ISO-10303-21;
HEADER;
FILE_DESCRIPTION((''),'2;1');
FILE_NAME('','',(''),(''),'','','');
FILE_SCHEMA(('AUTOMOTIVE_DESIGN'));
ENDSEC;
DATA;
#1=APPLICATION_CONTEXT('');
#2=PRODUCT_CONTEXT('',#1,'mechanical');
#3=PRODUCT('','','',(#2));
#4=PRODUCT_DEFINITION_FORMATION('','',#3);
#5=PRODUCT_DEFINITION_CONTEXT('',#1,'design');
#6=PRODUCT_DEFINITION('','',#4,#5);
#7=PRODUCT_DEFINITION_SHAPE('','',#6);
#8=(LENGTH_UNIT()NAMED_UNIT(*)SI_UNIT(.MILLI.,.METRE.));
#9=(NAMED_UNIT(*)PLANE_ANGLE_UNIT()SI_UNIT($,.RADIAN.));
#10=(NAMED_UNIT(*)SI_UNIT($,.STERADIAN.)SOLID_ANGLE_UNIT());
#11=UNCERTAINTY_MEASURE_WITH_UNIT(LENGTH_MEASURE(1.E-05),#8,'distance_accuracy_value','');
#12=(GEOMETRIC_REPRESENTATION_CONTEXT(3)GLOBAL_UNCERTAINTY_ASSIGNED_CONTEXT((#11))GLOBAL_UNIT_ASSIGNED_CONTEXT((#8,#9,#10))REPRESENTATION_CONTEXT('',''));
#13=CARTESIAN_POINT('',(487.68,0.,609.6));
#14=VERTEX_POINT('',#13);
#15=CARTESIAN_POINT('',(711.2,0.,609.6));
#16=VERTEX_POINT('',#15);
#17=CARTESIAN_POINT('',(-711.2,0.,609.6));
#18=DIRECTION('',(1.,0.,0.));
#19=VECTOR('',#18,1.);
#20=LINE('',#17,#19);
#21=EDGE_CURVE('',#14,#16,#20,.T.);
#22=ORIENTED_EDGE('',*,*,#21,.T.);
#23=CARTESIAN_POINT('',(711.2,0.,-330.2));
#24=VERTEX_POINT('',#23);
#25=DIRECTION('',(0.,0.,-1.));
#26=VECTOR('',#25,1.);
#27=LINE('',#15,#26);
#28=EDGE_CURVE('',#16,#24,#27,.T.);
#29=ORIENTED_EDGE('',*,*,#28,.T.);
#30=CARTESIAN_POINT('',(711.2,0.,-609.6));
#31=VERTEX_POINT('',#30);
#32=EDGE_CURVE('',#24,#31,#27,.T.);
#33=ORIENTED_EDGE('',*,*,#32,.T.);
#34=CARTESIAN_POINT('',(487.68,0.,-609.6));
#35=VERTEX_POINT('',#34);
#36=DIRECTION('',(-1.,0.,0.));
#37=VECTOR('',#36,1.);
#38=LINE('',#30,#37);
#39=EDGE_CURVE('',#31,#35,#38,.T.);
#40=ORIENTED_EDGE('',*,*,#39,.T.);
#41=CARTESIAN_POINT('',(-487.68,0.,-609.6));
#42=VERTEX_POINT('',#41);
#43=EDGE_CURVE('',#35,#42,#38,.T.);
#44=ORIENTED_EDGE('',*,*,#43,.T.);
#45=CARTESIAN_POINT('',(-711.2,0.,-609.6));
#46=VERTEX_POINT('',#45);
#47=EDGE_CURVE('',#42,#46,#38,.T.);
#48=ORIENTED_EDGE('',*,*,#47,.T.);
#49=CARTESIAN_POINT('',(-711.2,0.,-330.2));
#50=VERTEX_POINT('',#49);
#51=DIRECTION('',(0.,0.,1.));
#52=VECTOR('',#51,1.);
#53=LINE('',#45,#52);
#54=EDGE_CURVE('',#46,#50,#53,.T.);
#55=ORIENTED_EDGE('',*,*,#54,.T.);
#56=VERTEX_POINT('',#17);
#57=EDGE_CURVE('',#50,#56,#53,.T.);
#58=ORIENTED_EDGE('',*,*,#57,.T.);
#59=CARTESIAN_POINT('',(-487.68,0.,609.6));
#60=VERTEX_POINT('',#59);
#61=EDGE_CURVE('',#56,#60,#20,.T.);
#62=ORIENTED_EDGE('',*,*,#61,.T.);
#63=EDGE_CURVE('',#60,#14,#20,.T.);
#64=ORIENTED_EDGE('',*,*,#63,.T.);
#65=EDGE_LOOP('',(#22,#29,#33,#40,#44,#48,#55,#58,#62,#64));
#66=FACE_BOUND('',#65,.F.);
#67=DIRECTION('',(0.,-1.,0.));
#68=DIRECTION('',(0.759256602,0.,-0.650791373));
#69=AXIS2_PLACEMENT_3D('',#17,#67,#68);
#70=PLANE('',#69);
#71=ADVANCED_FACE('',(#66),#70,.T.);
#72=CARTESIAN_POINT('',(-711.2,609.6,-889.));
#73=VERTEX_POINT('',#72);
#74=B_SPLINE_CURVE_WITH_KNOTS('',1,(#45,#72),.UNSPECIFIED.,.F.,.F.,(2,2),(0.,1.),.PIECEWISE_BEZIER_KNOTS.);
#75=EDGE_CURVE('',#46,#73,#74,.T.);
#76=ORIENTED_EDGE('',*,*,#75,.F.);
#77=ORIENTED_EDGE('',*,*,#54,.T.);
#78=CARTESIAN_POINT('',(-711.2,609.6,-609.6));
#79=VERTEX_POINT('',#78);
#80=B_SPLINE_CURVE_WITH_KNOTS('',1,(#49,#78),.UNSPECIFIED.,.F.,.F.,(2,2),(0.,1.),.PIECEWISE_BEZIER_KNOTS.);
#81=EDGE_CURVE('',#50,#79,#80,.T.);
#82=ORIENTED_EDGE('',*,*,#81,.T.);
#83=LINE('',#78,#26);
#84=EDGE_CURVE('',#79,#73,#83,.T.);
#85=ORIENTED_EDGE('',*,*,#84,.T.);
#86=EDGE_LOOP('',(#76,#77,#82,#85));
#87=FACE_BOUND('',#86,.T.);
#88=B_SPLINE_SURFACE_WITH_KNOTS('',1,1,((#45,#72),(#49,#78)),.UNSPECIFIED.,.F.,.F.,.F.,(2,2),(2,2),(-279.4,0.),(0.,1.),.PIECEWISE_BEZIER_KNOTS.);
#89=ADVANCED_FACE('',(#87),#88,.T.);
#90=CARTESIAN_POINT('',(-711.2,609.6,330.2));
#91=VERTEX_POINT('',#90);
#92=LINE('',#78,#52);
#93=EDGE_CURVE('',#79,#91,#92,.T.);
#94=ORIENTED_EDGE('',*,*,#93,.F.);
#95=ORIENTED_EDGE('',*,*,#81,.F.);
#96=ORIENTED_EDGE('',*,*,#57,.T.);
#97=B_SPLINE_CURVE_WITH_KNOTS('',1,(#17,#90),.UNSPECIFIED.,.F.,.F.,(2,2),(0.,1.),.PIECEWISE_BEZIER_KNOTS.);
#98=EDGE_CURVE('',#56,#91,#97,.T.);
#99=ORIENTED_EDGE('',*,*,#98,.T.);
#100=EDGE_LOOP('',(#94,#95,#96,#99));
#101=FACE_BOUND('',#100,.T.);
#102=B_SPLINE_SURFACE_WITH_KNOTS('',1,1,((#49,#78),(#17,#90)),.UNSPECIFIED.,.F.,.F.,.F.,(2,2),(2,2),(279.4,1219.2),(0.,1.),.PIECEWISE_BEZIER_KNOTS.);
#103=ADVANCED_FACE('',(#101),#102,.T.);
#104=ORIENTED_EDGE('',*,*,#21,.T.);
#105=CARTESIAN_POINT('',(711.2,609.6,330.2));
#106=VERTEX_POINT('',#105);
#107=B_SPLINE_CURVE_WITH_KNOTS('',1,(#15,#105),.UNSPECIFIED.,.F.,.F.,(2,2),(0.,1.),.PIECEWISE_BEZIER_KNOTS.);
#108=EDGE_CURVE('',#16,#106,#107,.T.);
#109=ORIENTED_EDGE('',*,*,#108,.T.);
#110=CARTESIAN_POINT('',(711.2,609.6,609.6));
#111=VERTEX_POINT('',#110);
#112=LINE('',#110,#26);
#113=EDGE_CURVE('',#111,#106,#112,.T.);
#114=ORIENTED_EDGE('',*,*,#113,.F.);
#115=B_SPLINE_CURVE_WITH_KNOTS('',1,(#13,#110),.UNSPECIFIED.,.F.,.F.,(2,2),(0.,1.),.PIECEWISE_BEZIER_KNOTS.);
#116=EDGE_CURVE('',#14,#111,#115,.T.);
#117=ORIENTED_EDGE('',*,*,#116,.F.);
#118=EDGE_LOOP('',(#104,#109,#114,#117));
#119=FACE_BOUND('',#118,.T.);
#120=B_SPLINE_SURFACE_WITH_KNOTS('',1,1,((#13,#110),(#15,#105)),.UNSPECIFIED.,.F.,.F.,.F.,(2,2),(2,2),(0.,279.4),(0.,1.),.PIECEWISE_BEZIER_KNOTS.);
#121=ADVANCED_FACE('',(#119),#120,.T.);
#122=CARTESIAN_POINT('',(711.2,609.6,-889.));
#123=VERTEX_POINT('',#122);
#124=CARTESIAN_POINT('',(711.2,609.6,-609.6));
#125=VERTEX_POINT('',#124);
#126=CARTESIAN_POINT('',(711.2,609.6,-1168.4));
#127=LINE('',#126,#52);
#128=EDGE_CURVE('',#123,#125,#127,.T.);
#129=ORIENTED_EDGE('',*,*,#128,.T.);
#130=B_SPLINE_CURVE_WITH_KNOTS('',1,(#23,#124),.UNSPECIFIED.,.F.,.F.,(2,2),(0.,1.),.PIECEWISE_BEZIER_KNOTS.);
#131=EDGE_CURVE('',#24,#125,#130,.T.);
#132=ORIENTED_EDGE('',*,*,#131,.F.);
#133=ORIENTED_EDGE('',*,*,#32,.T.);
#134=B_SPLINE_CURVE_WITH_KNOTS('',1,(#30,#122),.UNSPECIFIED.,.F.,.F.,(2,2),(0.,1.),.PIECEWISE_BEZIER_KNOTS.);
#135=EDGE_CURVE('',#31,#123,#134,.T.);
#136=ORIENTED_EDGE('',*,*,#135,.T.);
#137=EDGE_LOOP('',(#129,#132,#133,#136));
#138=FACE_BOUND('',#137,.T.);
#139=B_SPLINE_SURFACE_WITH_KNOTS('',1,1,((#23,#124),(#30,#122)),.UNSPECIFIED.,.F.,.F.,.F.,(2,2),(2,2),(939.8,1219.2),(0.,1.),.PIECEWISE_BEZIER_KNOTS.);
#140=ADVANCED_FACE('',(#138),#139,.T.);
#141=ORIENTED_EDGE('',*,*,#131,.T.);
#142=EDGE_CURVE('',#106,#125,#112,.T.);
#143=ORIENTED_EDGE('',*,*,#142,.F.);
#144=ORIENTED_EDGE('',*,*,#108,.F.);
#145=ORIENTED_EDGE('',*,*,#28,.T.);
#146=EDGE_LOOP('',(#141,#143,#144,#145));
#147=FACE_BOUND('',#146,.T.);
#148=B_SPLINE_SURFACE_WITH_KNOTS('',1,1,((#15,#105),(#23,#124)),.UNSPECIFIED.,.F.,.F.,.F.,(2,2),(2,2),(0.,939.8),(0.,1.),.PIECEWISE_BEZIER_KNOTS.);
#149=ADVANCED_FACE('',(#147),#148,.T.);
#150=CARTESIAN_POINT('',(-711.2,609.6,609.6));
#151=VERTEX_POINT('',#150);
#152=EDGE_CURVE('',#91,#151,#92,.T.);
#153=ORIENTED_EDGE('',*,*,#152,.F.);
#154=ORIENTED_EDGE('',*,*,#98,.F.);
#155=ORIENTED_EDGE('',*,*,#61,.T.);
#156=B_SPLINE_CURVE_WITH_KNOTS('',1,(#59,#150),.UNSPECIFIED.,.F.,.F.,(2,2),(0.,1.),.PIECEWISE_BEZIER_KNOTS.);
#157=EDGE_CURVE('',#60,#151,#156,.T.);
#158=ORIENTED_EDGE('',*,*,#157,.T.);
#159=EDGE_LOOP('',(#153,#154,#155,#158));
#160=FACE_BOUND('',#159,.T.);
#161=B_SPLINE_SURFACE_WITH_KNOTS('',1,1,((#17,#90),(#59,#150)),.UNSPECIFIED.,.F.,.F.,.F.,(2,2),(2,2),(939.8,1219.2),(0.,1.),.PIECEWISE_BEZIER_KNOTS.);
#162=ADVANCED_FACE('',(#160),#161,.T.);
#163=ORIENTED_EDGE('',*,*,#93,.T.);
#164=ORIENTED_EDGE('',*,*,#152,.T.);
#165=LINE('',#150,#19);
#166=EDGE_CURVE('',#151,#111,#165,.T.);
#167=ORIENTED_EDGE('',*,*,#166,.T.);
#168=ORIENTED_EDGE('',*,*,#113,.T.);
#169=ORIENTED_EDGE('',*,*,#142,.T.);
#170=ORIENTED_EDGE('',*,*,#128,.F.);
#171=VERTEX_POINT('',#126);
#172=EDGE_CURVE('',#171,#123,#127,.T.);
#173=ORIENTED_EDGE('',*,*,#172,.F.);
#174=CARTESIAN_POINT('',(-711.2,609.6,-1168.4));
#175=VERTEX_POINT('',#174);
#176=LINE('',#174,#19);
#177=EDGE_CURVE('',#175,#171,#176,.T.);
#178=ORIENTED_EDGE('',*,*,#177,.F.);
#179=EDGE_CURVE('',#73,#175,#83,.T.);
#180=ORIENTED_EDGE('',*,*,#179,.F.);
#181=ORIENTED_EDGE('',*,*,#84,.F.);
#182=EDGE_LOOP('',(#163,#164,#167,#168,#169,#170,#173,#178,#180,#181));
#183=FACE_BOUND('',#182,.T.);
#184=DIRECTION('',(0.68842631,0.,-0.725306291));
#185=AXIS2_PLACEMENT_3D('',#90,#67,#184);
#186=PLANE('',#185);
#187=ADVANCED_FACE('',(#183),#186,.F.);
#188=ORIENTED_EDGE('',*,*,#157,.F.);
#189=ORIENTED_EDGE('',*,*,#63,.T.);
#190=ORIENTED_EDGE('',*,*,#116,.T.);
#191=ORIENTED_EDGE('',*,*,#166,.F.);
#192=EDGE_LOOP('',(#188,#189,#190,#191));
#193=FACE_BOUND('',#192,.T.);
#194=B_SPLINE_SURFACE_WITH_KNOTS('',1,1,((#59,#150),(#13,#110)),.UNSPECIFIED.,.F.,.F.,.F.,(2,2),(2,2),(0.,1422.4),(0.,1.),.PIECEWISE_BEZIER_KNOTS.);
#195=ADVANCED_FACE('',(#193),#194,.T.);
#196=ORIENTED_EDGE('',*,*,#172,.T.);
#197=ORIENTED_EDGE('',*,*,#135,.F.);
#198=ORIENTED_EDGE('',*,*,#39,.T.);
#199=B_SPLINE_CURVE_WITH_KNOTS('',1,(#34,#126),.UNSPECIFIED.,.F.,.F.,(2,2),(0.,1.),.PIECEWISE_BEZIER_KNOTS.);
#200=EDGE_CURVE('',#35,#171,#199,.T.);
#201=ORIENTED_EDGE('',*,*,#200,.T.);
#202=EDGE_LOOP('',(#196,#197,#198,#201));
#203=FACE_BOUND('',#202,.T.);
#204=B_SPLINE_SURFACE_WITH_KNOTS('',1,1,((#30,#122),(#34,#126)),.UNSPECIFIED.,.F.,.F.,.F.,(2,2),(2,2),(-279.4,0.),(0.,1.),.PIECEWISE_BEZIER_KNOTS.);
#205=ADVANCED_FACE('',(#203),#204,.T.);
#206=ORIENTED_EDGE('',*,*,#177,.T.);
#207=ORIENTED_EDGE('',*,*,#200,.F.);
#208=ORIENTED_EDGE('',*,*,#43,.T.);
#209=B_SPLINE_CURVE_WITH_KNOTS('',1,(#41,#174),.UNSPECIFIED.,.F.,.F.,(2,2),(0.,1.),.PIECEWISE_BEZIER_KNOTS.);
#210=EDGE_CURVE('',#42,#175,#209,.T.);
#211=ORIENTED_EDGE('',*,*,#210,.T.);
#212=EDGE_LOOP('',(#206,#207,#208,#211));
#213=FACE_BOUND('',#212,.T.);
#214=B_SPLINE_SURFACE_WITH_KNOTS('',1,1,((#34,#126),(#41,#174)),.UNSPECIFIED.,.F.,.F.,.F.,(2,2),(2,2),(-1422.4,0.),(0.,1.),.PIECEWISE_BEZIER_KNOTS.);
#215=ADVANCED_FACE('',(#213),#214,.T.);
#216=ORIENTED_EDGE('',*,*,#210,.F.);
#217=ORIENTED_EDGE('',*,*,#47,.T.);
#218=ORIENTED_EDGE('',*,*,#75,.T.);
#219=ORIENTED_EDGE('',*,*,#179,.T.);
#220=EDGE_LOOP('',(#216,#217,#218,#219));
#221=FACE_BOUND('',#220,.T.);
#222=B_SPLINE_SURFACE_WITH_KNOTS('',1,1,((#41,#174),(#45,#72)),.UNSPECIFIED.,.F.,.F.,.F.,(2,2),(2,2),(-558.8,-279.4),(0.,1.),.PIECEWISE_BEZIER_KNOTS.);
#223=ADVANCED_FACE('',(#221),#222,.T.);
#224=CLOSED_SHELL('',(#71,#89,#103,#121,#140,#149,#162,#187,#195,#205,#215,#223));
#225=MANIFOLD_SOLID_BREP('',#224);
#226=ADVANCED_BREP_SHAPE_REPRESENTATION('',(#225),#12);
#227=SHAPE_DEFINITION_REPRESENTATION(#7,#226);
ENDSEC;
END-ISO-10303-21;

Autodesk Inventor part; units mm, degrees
ref_plane "YZ Plane" through (0, 0, 0) normal (1, 0, 0) x (0, 1, 0)
ref_plane "XY Plane" through (0, 0, 0) normal (0, 0, 1) x (1, 0, 0)
sketch "Sketch1" plane through (0, 0, 0) normal (0, 1, 0) x (-1, 0, 0)
  line L0 (711.2, 609.6) -> (-711.2, 609.6)
  line L1 (-711.2, 609.6) -> (-711.2, -609.6)
  line L2 (-711.2, -609.6) -> (711.2, -609.6)
  line L3 (711.2, -609.6) -> (711.2, 609.6)
  line L4 (0, -853.44) -> (0, 853.44) projected
  line L5 (-995.68, 0) -> (995.68, 0) projected
  line L6 (995.68, 0) -> (-995.68, 0) projected
  line L7 (0, -853.44) -> (0, 853.44) projected
  point P0 (0, 0)
  dimension "d0" = 1422.4
  dimension "d1" = 1219.2
ref_plane "Work Plane1" through (0, 609.6, 0) normal (0, 1, 0) x (-1, 0, 0)
sketch "Sketch2" plane through (0, 609.6, 0) normal (0, 1, 0) x (-1, 0, 0)
  line L0 (711.2, -609.6) -> (711.2, 609.6) projected
  line L1 (711.2, 609.6) -> (-711.2, 609.6) projected
  line L2 (-711.2, 609.6) -> (-711.2, -609.6) projected
  line L3 (711.2, 609.6) -> (-711.2, 609.6)
  line L4 (-711.2, 609.6) -> (-711.2, -609.6)
  line L5 (711.2, -609.6) -> (711.2, 609.6)
  line L6 (711.2, -609.6) -> (711.2, -1168.4)
  line L7 (711.2, -1168.4) -> (-711.2, -1168.4)
  line L8 (-711.2, -1168.4) -> (-711.2, -609.6)
  line L9 (711.2, -1168.4) -> (-711.2, -1168.4)
  line L10 (-711.2, -1168.4) -> (-711.2, 609.6)
  line L11 (-711.2, 609.6) -> (711.2, 609.6)
  line L12 (711.2, 609.6) -> (711.2, -1168.4)
  line L13 (-711.2, 609.6) -> (711.2, 609.6)
  line L14 (711.2, 609.6) -> (711.2, -1168.4)
  line L15 (711.2, -1168.4) -> (-711.2, -1168.4)
  line L16 (-711.2, -1168.4) -> (-711.2, 609.6)
  point P0 (0, 0)
  dimension "d3" = 1422.4
  dimension "d4" = 558.8
loft "Loft1" add profiles "Sketch1", "Sketch2"
properties part number "SouthWestWallBlockAngle"
